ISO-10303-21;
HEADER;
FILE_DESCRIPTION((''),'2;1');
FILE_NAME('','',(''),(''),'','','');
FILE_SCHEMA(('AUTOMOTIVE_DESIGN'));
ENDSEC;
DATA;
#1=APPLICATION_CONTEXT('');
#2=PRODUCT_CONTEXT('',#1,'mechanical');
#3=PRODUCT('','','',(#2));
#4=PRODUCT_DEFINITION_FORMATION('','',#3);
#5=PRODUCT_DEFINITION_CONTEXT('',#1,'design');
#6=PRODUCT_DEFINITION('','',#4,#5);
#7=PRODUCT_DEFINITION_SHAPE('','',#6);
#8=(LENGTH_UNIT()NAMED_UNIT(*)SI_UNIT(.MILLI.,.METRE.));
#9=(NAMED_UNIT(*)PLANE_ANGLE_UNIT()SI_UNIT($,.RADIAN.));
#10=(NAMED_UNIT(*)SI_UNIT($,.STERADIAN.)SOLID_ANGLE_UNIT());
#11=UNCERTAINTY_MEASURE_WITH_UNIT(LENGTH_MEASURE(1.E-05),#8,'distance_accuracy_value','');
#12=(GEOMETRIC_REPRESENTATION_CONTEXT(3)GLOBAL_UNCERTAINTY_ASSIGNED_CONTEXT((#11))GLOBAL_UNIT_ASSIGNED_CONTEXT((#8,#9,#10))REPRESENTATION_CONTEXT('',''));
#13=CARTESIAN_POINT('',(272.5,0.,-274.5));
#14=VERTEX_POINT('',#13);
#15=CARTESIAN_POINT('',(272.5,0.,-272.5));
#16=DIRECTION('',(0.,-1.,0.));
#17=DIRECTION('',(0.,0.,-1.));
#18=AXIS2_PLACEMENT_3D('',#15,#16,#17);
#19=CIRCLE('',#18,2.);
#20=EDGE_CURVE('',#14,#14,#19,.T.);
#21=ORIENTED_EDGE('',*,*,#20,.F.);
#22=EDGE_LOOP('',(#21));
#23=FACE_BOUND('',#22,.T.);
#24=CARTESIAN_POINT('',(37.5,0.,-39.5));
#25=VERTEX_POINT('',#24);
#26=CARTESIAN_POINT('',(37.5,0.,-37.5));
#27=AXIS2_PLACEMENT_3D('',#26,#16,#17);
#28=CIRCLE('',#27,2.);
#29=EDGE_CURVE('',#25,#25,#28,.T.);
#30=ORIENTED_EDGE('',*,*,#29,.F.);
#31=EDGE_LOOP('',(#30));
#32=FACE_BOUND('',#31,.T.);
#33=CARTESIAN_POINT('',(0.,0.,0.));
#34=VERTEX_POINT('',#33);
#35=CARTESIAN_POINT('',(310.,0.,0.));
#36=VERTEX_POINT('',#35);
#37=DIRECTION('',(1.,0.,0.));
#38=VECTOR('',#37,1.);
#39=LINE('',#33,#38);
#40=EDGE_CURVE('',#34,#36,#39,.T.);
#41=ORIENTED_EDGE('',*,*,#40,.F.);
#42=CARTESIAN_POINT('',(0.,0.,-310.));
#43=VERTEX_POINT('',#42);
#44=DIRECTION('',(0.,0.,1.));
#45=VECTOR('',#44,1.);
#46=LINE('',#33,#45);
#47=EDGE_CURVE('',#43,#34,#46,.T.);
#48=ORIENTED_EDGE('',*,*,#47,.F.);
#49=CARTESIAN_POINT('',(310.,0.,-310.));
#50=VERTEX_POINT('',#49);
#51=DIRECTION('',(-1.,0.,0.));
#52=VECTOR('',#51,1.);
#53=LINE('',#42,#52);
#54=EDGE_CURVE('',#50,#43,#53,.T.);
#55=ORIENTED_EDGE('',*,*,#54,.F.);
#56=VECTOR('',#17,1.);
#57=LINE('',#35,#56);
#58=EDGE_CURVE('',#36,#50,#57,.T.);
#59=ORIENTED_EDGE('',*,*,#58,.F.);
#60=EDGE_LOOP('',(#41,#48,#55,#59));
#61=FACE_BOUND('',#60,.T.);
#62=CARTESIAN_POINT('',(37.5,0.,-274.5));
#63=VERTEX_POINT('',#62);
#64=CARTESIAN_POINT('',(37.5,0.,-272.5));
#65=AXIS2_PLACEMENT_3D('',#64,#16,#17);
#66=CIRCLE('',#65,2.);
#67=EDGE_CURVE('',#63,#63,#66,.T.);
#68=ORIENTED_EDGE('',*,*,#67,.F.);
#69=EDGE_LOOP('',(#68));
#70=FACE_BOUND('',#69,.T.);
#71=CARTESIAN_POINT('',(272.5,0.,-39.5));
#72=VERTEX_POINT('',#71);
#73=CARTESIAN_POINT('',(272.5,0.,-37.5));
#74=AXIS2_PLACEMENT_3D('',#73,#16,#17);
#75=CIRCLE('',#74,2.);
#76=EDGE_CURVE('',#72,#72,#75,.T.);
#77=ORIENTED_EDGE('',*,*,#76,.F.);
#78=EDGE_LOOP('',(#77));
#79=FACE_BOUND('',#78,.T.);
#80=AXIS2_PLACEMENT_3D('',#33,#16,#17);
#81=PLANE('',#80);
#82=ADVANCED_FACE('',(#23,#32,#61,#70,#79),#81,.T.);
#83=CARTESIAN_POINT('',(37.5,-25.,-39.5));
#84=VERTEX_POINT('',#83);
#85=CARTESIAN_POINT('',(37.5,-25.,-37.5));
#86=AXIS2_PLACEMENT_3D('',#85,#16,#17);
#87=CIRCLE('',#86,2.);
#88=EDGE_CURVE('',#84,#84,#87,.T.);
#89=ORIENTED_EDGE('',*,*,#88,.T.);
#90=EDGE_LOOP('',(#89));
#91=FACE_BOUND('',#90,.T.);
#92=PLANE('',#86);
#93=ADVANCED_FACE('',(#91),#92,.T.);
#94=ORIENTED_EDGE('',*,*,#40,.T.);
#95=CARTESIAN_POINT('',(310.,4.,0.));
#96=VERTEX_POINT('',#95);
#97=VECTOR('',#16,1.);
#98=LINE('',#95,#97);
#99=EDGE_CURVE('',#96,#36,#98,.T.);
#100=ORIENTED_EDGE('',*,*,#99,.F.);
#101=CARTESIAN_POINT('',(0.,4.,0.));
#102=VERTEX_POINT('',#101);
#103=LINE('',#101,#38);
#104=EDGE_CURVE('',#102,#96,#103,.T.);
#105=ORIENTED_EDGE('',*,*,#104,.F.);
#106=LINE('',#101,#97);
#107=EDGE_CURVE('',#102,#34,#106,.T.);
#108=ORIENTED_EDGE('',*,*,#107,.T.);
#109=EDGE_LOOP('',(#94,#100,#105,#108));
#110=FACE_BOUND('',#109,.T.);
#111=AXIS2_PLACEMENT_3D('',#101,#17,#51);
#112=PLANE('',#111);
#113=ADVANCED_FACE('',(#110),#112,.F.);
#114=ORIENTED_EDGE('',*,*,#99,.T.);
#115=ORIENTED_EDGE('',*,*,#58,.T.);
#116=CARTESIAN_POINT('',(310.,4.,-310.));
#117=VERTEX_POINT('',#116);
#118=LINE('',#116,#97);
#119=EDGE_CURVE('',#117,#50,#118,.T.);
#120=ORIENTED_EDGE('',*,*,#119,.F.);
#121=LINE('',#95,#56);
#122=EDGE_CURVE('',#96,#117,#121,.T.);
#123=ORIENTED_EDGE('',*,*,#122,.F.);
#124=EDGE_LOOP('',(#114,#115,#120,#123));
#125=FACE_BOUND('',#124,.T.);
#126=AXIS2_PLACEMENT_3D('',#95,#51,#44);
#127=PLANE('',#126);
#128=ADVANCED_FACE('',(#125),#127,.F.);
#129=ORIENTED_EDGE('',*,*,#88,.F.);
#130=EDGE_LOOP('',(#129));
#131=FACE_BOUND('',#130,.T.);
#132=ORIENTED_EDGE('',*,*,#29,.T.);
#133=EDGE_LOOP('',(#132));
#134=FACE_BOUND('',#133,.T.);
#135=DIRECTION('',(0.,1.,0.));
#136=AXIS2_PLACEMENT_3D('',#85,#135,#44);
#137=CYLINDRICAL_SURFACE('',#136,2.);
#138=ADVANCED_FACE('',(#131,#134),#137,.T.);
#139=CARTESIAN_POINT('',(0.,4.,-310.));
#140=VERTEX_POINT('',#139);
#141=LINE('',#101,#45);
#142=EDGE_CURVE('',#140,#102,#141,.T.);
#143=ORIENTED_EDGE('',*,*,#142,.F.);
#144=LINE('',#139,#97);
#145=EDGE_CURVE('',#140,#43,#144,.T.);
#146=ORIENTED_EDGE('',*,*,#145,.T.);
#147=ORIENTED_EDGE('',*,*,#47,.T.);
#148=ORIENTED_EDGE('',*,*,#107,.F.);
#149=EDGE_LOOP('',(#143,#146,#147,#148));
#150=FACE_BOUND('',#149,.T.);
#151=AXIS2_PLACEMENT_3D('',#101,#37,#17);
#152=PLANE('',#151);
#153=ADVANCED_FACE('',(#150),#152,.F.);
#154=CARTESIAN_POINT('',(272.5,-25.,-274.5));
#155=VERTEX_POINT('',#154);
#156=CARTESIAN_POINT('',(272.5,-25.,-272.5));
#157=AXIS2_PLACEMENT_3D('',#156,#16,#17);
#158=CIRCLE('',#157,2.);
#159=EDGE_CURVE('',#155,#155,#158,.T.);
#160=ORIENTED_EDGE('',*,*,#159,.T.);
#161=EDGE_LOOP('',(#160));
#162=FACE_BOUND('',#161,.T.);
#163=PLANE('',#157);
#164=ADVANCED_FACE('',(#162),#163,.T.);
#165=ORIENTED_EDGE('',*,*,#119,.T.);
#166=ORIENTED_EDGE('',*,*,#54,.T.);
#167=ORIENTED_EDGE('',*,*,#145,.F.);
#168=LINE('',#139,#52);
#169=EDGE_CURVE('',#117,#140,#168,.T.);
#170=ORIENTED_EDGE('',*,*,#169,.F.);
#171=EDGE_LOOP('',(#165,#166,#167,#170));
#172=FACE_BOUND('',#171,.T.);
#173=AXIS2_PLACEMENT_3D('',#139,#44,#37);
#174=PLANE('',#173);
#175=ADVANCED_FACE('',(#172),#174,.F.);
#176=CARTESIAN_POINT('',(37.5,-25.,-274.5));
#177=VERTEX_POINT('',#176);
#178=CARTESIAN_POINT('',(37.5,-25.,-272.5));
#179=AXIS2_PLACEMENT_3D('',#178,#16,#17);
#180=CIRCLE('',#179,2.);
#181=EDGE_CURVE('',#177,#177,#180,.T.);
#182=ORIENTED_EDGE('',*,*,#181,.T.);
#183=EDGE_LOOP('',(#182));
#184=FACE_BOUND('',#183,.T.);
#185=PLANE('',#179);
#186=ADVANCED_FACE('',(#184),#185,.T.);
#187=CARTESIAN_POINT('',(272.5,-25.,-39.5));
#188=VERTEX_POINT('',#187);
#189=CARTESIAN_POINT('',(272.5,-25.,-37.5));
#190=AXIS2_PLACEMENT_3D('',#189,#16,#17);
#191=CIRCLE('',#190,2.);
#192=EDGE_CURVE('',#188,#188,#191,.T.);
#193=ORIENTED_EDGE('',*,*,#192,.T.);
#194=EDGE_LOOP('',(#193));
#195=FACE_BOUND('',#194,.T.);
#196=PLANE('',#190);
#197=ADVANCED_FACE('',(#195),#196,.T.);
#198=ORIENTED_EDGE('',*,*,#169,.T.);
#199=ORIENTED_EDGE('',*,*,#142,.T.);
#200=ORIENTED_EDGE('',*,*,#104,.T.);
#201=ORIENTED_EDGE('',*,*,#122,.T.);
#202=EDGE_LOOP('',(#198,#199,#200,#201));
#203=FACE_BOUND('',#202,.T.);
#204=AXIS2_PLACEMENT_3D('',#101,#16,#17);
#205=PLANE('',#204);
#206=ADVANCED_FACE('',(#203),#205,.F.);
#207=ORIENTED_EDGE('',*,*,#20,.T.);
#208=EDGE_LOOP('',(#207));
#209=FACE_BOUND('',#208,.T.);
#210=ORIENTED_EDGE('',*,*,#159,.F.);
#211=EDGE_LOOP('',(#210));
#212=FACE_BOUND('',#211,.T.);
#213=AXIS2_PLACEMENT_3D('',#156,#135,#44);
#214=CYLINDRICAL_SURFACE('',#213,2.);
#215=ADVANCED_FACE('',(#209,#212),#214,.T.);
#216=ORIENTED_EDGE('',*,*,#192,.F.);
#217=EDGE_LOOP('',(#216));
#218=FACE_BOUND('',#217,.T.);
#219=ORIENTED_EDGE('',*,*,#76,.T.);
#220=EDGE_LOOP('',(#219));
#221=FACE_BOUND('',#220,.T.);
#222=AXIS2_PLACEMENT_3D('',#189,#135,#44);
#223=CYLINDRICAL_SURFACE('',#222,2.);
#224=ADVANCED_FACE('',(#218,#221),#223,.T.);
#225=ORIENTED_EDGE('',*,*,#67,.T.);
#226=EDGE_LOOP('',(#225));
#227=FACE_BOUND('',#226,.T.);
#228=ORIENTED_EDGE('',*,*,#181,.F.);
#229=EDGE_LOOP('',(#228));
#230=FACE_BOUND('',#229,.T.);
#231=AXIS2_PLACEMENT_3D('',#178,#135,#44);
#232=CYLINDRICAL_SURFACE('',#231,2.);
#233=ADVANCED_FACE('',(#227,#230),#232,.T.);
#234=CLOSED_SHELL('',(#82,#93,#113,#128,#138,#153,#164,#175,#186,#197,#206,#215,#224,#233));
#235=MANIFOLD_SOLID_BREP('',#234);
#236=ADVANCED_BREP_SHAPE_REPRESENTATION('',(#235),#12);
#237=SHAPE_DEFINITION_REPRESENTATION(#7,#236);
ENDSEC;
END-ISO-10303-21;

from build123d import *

# Parameters (mm, degrees)
SKETCH_1_W      = 310
SKETCH_1_H      = 310
EXTRUDE_1_DEPTH = 4
SKETCH_2_R      = 2
EXTRUDE_2_DEPTH = 25


with BuildPart() as part:
    # Эскиз1 → Бобышка-Вытянуть1 (new body)
    with BuildSketch(Plane(origin=(0, 0, 0), x_dir=(1, 0, 0), z_dir=(0, 1, 0))):
        with Locations((155, 155)):
            Rectangle(SKETCH_1_W, SKETCH_1_H)
    extrude(amount=EXTRUDE_1_DEPTH)

    # Эскиз2 → Бобышка-Вытянуть2 (add)
    with BuildSketch(Plane.XZ):
        with Locations(Location((272.5, -37.5, 0), (0, 0, 270))):
            Circle(SKETCH_2_R)
        with Locations(Location((272.5, -272.5, 0), (0, 0, 270))):
            Circle(SKETCH_2_R)
        with Locations(Location((37.5, -37.5, 0), (0, 0, 270))):
            Circle(SKETCH_2_R)
        with Locations(Location((37.5, -272.5, 0), (0, 0, 270))):
            Circle(SKETCH_2_R)
    extrude(amount=EXTRUDE_2_DEPTH)


solid = part.part
